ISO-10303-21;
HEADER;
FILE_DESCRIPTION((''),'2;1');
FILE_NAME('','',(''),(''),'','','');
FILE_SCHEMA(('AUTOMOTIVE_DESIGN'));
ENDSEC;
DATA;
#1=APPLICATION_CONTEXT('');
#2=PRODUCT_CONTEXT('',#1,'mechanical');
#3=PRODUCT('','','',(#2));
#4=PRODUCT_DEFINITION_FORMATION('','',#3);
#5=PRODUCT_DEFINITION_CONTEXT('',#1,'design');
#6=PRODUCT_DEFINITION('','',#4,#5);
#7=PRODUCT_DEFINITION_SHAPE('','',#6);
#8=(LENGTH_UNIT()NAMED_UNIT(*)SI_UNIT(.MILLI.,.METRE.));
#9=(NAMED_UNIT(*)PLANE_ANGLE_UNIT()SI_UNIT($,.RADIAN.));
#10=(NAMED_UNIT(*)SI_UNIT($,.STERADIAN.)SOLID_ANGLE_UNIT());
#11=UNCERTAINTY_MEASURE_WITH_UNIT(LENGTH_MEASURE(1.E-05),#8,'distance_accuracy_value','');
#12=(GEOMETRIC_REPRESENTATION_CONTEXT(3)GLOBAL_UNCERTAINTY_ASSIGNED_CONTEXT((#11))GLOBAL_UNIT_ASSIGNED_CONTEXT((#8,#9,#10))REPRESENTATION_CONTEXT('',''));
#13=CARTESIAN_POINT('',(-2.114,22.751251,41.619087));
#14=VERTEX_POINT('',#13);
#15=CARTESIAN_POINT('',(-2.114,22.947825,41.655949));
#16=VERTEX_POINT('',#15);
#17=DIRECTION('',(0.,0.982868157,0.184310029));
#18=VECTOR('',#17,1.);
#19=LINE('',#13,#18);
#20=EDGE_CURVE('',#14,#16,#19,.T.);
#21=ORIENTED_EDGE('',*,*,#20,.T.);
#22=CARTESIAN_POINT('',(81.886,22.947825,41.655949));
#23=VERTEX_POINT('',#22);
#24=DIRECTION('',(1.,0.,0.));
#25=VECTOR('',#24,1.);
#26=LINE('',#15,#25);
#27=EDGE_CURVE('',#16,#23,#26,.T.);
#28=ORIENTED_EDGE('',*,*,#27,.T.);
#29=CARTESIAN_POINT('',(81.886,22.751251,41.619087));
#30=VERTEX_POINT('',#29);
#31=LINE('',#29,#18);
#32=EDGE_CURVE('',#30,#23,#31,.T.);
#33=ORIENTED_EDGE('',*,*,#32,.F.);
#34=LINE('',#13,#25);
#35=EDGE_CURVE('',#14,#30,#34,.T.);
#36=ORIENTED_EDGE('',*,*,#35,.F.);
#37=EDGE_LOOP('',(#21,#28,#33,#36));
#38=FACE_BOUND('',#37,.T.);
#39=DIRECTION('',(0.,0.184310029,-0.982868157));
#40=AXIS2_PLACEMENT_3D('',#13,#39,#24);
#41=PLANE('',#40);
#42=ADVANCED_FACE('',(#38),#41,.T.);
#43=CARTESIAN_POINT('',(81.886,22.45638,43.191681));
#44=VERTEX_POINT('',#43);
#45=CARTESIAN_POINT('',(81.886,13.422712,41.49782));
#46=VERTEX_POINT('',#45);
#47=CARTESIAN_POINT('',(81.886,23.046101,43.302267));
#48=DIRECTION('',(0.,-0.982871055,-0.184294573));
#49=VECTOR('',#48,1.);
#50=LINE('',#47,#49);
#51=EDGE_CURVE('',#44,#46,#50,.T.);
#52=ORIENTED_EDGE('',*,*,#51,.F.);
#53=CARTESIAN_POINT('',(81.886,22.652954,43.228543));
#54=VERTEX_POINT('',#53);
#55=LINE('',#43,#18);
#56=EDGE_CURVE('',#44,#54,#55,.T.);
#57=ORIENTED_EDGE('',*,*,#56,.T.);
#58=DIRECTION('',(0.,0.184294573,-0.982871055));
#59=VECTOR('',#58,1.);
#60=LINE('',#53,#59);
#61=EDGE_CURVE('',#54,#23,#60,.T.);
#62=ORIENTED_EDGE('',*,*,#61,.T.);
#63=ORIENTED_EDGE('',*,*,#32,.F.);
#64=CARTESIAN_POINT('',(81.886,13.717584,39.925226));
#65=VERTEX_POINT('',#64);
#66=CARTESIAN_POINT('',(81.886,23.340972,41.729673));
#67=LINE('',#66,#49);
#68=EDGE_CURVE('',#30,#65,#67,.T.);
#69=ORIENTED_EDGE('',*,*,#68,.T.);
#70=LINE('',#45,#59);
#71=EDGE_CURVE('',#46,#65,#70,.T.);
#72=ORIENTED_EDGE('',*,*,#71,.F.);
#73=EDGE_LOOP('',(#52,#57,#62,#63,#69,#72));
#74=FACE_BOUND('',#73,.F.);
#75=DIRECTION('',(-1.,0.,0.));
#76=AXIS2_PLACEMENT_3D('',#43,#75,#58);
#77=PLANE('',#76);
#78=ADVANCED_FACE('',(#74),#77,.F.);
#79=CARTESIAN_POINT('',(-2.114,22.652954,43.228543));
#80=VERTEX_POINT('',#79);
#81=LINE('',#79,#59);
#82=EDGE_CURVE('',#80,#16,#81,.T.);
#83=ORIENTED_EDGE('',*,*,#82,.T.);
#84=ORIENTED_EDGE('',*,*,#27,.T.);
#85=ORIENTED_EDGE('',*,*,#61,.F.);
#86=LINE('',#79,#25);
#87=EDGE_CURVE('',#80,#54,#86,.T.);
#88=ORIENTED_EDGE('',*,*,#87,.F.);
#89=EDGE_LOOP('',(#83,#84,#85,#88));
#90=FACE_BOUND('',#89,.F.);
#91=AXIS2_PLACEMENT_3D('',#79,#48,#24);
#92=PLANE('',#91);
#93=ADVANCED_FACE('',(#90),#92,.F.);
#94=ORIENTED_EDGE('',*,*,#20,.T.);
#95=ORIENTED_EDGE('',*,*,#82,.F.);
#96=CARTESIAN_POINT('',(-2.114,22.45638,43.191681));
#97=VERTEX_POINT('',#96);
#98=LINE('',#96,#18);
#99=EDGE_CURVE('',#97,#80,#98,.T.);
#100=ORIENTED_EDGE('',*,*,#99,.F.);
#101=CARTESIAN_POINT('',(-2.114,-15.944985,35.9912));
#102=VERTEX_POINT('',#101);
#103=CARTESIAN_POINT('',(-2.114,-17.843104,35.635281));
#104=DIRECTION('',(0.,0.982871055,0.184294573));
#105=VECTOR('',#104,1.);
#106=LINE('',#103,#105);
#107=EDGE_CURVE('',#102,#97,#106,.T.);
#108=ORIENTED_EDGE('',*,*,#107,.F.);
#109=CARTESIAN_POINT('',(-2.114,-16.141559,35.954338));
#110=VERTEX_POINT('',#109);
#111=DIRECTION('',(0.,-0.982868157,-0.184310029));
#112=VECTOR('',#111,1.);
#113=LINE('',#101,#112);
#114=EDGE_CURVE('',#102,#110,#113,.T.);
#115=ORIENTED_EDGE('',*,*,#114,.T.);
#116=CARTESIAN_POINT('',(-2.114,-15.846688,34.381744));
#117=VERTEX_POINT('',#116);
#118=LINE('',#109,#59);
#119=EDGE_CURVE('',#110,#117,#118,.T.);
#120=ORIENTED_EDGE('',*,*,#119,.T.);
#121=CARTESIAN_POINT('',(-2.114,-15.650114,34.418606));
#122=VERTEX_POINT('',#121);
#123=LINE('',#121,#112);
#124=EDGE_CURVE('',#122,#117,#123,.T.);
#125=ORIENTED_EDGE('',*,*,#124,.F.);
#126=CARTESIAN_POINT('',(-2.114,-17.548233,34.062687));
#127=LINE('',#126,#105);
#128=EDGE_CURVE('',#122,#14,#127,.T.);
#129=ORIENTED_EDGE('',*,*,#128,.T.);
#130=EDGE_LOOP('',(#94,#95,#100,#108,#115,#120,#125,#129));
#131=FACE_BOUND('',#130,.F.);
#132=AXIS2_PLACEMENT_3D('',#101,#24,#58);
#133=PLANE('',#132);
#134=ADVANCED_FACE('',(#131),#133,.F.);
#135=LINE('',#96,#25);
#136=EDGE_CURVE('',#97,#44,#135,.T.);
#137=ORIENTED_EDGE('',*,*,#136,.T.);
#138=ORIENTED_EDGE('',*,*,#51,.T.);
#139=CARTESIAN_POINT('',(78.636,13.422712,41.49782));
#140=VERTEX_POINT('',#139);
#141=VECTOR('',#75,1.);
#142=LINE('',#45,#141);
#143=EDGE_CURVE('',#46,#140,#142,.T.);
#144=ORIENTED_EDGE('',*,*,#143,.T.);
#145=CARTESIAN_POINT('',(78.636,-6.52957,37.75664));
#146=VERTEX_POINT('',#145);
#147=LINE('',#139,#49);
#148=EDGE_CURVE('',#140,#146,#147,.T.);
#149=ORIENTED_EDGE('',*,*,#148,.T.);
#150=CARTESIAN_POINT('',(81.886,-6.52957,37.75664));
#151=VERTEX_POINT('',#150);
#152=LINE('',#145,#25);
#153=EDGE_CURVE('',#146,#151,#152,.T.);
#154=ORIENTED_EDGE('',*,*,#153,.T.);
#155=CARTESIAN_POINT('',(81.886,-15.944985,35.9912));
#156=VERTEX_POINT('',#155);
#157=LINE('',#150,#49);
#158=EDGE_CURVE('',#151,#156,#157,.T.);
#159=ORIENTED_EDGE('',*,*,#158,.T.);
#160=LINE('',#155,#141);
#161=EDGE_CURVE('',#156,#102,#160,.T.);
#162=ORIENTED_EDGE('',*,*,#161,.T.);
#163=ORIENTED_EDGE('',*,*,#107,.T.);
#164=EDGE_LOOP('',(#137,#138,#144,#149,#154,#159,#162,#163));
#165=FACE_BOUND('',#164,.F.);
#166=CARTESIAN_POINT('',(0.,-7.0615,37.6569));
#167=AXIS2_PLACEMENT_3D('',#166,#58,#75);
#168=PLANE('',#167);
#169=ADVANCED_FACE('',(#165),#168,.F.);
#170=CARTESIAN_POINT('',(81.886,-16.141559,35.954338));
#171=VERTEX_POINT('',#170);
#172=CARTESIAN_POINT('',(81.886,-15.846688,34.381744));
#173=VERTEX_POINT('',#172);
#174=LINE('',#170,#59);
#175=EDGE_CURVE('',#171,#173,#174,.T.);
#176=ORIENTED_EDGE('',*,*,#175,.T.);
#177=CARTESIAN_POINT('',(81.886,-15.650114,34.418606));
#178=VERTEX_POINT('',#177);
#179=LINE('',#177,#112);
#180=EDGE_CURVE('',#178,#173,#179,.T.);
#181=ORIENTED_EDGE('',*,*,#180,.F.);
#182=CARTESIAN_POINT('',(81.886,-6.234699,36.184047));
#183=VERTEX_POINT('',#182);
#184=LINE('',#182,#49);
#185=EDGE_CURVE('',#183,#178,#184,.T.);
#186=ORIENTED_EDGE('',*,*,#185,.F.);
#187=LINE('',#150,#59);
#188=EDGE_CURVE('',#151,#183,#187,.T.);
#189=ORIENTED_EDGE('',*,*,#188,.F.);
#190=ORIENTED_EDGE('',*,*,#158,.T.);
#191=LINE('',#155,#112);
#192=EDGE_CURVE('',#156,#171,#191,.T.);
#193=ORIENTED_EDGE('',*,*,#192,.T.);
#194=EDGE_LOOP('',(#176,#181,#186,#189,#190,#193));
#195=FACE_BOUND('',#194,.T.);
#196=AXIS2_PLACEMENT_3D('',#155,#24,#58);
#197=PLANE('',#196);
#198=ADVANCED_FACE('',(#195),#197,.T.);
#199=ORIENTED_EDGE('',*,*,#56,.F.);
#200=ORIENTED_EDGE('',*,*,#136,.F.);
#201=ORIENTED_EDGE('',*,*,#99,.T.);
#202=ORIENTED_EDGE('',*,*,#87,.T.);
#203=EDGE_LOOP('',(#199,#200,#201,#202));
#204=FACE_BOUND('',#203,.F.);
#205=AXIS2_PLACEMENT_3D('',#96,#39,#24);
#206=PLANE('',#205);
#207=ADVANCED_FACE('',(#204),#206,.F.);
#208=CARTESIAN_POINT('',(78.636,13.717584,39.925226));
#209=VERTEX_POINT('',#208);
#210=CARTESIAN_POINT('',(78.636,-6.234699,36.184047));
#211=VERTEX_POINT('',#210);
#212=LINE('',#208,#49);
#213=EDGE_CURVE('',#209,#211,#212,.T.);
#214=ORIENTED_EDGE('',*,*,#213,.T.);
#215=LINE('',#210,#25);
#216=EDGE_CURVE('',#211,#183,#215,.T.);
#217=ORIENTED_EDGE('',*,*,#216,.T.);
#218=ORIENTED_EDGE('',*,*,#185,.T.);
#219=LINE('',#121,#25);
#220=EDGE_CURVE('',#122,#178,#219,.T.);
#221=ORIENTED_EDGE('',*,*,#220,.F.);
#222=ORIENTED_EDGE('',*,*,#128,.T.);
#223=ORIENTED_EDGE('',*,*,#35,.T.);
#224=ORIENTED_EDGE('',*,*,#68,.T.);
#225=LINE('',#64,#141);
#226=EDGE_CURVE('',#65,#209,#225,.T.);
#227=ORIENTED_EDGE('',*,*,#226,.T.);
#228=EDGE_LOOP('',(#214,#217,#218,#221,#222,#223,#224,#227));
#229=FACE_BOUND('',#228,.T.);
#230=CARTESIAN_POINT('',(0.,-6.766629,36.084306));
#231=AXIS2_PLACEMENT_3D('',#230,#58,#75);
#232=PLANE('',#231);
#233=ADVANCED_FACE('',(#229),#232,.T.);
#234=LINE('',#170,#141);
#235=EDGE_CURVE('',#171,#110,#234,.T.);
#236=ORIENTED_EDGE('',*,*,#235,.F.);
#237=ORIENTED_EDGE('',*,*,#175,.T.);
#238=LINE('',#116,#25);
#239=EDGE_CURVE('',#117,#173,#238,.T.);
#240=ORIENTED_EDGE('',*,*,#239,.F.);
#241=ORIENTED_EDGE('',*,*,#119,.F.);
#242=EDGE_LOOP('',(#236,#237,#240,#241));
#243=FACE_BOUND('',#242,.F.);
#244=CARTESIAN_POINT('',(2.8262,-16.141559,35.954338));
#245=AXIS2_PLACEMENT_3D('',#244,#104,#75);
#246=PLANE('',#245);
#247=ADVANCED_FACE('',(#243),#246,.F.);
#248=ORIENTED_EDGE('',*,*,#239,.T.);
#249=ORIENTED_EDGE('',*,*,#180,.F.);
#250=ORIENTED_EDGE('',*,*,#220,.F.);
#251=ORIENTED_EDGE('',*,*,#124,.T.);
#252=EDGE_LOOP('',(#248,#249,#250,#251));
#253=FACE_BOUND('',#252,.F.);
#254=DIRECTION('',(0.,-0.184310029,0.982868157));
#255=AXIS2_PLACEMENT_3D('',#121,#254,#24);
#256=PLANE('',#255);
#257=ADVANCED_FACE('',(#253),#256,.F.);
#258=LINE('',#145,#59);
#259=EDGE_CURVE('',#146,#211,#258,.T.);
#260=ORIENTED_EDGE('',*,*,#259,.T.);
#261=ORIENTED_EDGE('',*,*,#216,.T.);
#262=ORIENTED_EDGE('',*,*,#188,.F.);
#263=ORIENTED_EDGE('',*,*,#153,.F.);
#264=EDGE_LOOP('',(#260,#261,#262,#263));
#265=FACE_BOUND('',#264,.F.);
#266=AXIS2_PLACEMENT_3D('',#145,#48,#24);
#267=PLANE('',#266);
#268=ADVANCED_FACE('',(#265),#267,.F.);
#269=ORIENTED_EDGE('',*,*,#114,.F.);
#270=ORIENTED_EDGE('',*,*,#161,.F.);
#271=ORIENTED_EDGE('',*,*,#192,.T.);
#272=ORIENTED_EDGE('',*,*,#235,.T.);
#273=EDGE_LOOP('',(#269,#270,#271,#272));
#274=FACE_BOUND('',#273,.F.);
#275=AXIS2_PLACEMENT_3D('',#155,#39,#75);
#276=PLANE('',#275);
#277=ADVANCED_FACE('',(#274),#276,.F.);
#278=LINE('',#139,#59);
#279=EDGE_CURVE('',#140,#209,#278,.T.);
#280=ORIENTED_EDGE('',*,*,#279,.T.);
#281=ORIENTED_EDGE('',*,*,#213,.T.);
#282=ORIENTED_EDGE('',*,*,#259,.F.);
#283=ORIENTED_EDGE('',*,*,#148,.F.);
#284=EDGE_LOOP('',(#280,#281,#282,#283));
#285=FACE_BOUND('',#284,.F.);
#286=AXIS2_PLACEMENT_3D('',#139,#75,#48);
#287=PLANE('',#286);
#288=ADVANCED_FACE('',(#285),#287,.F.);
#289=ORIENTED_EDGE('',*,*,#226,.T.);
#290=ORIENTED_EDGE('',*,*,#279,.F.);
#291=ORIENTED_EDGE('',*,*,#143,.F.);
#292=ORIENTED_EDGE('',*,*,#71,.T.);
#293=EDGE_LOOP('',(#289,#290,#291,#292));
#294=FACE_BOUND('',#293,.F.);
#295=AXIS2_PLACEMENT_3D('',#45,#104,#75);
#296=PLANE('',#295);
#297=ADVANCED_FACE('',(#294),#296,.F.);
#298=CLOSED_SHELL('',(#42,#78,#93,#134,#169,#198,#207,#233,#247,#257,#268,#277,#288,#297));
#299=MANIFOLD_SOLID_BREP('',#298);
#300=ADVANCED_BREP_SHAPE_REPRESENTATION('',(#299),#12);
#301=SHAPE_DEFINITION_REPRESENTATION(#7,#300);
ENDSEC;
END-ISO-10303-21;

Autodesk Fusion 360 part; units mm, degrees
sketch "Sketch1" plane through (0, -7.0615, 37.6569) normal (0, 0.1843, -0.9829) x (-1, 0, 0)
  line L0 (2.114, 30.6323) -> (-81.886, 30.6323)
  line L1 (-81.886, 30.6323) -> (-81.886, 20.8412)
  line L2 (-81.886, 20.8412) -> (-78.636, 20.8412)
  line L3 (-78.636, 20.8412) -> (-78.636, 28.8412)
  line L4 (-78.636, 28.8412) -> (-6.636, 28.8412)
  line L5 (-6.636, 28.8412) -> (-6.636, -7.4588)
  line L6 (-6.636, -7.4588) -> (-78.636, -7.4588)
  line L7 (-78.636, -7.4588) -> (-78.636, 0.5412)
  line L8 (-78.636, 0.5412) -> (-81.886, 0.5412)
  line L9 (-81.886, 0.5412) -> (-81.886, -10.9695)
  ellipse E0 centre (-79.886, -13.2445) end of major axis (-79.886, -16.2968) minor radius 3 (-76.9458, -12.6383) -> (-81.886, -10.9695) ccw
  line L10 (-76.9458, -12.6383) -> (-76.9458, -9.6383)
  line L11 (-76.9458, -9.6383) -> (-2.8262, -9.6383)
  line L12 (-2.8262, -9.6383) -> (-2.8262, -12.6383)
  ellipse E1 centre (0.114, -13.2445) end of major axis (0.114, -16.2968) minor radius 3 (2.114, -10.9695) -> (-2.8262, -12.6383) ccw
  line L13 (2.114, -10.9695) -> (2.114, 30.6323)
  line L14 (-78.636, 0.5412) -> (-78.636, -7.4588)
  line L15 (-78.636, -7.4588) -> (-6.636, -7.4588)
  line L16 (-6.636, -7.4588) -> (-6.636, 28.8412)
  line L17 (-6.636, 28.8412) -> (-78.636, 28.8412)
  line L18 (-78.636, 28.8412) -> (-78.636, 20.8412)
  line L19 (-78.636, 20.8412) -> (-81.886, 20.8412)
  line L20 (-81.886, 20.8412) -> (-81.886, 0.5412)
  line L21 (-81.886, 0.5412) -> (-78.636, 0.5412)
  line L22 (-70.636, 26.6912) -> (-9.136, 26.6912)
  line L23 (-9.136, 26.6912) -> (-9.136, -5.3088)
  line L24 (-9.136, -5.3088) -> (-70.636, -5.3088)
  line L25 (-70.636, -5.3088) -> (-70.636, 26.6912)
  line L26 (-76.9458, -9.6383) -> (-81.886, -9.6383)
  line L27 (-2.8262, -9.6383) -> (2.114, -9.6383)
  line L28 (-78.636, 20.8412) -> (-78.636, 0.5412)
extrude "Extrude1" add sketch "Sketch1" along normal blind 1.6 contours L0 L1 L2 L3 L4 L5 L6 L7 L8 L9 L11 L13 L14 L15 L16 L17 L18 L19 L21 L26 L27 | L3 L4 L5 L6 L7 L14 L15 L16 L17 L18 L28 | L22 L23 L24 L25
extrude "Extrude2" cut 1 faces at (53.886, 23.2426, 42.2544) along direction (0, -0.982868, -0.18431) blind 0.05
extrude "Extrude3" cut 1 faces at (53.886, -16.4364, 35.3563) along direction (0, 0.982868, 0.18431) blind 0.05
extrude "Extrude4" cut 1 faces at (53.886, 23.1934, 42.2452) along direction (0, -0.982868, -0.18431) blind 0.05
extrude "Extrude5" cut 1 faces at (53.886, -16.3873, 35.3655) along direction (0, 0.982868, 0.18431) blind 0.05
extrude "Extrude6" cut 1 faces at (53.886, -16.3382, 35.3747) along direction (0, 0.982868, 0.18431) blind 0.5
extrude "Extrude7" cut 1 faces at (53.886, 23.1443, 42.236) along direction (0, -0.982868, -0.18431) blind 0.5
extrude "Extrude8" add 1 faces at (53.886, 22.6528, 42.1438) along direction (0, 0.982868, 0.18431) blind 0.2
extrude "Extrude9" add 1 faces at (53.886, -15.8467, 35.4669) along direction (0, -0.982868, -0.18431) blind 0.2
